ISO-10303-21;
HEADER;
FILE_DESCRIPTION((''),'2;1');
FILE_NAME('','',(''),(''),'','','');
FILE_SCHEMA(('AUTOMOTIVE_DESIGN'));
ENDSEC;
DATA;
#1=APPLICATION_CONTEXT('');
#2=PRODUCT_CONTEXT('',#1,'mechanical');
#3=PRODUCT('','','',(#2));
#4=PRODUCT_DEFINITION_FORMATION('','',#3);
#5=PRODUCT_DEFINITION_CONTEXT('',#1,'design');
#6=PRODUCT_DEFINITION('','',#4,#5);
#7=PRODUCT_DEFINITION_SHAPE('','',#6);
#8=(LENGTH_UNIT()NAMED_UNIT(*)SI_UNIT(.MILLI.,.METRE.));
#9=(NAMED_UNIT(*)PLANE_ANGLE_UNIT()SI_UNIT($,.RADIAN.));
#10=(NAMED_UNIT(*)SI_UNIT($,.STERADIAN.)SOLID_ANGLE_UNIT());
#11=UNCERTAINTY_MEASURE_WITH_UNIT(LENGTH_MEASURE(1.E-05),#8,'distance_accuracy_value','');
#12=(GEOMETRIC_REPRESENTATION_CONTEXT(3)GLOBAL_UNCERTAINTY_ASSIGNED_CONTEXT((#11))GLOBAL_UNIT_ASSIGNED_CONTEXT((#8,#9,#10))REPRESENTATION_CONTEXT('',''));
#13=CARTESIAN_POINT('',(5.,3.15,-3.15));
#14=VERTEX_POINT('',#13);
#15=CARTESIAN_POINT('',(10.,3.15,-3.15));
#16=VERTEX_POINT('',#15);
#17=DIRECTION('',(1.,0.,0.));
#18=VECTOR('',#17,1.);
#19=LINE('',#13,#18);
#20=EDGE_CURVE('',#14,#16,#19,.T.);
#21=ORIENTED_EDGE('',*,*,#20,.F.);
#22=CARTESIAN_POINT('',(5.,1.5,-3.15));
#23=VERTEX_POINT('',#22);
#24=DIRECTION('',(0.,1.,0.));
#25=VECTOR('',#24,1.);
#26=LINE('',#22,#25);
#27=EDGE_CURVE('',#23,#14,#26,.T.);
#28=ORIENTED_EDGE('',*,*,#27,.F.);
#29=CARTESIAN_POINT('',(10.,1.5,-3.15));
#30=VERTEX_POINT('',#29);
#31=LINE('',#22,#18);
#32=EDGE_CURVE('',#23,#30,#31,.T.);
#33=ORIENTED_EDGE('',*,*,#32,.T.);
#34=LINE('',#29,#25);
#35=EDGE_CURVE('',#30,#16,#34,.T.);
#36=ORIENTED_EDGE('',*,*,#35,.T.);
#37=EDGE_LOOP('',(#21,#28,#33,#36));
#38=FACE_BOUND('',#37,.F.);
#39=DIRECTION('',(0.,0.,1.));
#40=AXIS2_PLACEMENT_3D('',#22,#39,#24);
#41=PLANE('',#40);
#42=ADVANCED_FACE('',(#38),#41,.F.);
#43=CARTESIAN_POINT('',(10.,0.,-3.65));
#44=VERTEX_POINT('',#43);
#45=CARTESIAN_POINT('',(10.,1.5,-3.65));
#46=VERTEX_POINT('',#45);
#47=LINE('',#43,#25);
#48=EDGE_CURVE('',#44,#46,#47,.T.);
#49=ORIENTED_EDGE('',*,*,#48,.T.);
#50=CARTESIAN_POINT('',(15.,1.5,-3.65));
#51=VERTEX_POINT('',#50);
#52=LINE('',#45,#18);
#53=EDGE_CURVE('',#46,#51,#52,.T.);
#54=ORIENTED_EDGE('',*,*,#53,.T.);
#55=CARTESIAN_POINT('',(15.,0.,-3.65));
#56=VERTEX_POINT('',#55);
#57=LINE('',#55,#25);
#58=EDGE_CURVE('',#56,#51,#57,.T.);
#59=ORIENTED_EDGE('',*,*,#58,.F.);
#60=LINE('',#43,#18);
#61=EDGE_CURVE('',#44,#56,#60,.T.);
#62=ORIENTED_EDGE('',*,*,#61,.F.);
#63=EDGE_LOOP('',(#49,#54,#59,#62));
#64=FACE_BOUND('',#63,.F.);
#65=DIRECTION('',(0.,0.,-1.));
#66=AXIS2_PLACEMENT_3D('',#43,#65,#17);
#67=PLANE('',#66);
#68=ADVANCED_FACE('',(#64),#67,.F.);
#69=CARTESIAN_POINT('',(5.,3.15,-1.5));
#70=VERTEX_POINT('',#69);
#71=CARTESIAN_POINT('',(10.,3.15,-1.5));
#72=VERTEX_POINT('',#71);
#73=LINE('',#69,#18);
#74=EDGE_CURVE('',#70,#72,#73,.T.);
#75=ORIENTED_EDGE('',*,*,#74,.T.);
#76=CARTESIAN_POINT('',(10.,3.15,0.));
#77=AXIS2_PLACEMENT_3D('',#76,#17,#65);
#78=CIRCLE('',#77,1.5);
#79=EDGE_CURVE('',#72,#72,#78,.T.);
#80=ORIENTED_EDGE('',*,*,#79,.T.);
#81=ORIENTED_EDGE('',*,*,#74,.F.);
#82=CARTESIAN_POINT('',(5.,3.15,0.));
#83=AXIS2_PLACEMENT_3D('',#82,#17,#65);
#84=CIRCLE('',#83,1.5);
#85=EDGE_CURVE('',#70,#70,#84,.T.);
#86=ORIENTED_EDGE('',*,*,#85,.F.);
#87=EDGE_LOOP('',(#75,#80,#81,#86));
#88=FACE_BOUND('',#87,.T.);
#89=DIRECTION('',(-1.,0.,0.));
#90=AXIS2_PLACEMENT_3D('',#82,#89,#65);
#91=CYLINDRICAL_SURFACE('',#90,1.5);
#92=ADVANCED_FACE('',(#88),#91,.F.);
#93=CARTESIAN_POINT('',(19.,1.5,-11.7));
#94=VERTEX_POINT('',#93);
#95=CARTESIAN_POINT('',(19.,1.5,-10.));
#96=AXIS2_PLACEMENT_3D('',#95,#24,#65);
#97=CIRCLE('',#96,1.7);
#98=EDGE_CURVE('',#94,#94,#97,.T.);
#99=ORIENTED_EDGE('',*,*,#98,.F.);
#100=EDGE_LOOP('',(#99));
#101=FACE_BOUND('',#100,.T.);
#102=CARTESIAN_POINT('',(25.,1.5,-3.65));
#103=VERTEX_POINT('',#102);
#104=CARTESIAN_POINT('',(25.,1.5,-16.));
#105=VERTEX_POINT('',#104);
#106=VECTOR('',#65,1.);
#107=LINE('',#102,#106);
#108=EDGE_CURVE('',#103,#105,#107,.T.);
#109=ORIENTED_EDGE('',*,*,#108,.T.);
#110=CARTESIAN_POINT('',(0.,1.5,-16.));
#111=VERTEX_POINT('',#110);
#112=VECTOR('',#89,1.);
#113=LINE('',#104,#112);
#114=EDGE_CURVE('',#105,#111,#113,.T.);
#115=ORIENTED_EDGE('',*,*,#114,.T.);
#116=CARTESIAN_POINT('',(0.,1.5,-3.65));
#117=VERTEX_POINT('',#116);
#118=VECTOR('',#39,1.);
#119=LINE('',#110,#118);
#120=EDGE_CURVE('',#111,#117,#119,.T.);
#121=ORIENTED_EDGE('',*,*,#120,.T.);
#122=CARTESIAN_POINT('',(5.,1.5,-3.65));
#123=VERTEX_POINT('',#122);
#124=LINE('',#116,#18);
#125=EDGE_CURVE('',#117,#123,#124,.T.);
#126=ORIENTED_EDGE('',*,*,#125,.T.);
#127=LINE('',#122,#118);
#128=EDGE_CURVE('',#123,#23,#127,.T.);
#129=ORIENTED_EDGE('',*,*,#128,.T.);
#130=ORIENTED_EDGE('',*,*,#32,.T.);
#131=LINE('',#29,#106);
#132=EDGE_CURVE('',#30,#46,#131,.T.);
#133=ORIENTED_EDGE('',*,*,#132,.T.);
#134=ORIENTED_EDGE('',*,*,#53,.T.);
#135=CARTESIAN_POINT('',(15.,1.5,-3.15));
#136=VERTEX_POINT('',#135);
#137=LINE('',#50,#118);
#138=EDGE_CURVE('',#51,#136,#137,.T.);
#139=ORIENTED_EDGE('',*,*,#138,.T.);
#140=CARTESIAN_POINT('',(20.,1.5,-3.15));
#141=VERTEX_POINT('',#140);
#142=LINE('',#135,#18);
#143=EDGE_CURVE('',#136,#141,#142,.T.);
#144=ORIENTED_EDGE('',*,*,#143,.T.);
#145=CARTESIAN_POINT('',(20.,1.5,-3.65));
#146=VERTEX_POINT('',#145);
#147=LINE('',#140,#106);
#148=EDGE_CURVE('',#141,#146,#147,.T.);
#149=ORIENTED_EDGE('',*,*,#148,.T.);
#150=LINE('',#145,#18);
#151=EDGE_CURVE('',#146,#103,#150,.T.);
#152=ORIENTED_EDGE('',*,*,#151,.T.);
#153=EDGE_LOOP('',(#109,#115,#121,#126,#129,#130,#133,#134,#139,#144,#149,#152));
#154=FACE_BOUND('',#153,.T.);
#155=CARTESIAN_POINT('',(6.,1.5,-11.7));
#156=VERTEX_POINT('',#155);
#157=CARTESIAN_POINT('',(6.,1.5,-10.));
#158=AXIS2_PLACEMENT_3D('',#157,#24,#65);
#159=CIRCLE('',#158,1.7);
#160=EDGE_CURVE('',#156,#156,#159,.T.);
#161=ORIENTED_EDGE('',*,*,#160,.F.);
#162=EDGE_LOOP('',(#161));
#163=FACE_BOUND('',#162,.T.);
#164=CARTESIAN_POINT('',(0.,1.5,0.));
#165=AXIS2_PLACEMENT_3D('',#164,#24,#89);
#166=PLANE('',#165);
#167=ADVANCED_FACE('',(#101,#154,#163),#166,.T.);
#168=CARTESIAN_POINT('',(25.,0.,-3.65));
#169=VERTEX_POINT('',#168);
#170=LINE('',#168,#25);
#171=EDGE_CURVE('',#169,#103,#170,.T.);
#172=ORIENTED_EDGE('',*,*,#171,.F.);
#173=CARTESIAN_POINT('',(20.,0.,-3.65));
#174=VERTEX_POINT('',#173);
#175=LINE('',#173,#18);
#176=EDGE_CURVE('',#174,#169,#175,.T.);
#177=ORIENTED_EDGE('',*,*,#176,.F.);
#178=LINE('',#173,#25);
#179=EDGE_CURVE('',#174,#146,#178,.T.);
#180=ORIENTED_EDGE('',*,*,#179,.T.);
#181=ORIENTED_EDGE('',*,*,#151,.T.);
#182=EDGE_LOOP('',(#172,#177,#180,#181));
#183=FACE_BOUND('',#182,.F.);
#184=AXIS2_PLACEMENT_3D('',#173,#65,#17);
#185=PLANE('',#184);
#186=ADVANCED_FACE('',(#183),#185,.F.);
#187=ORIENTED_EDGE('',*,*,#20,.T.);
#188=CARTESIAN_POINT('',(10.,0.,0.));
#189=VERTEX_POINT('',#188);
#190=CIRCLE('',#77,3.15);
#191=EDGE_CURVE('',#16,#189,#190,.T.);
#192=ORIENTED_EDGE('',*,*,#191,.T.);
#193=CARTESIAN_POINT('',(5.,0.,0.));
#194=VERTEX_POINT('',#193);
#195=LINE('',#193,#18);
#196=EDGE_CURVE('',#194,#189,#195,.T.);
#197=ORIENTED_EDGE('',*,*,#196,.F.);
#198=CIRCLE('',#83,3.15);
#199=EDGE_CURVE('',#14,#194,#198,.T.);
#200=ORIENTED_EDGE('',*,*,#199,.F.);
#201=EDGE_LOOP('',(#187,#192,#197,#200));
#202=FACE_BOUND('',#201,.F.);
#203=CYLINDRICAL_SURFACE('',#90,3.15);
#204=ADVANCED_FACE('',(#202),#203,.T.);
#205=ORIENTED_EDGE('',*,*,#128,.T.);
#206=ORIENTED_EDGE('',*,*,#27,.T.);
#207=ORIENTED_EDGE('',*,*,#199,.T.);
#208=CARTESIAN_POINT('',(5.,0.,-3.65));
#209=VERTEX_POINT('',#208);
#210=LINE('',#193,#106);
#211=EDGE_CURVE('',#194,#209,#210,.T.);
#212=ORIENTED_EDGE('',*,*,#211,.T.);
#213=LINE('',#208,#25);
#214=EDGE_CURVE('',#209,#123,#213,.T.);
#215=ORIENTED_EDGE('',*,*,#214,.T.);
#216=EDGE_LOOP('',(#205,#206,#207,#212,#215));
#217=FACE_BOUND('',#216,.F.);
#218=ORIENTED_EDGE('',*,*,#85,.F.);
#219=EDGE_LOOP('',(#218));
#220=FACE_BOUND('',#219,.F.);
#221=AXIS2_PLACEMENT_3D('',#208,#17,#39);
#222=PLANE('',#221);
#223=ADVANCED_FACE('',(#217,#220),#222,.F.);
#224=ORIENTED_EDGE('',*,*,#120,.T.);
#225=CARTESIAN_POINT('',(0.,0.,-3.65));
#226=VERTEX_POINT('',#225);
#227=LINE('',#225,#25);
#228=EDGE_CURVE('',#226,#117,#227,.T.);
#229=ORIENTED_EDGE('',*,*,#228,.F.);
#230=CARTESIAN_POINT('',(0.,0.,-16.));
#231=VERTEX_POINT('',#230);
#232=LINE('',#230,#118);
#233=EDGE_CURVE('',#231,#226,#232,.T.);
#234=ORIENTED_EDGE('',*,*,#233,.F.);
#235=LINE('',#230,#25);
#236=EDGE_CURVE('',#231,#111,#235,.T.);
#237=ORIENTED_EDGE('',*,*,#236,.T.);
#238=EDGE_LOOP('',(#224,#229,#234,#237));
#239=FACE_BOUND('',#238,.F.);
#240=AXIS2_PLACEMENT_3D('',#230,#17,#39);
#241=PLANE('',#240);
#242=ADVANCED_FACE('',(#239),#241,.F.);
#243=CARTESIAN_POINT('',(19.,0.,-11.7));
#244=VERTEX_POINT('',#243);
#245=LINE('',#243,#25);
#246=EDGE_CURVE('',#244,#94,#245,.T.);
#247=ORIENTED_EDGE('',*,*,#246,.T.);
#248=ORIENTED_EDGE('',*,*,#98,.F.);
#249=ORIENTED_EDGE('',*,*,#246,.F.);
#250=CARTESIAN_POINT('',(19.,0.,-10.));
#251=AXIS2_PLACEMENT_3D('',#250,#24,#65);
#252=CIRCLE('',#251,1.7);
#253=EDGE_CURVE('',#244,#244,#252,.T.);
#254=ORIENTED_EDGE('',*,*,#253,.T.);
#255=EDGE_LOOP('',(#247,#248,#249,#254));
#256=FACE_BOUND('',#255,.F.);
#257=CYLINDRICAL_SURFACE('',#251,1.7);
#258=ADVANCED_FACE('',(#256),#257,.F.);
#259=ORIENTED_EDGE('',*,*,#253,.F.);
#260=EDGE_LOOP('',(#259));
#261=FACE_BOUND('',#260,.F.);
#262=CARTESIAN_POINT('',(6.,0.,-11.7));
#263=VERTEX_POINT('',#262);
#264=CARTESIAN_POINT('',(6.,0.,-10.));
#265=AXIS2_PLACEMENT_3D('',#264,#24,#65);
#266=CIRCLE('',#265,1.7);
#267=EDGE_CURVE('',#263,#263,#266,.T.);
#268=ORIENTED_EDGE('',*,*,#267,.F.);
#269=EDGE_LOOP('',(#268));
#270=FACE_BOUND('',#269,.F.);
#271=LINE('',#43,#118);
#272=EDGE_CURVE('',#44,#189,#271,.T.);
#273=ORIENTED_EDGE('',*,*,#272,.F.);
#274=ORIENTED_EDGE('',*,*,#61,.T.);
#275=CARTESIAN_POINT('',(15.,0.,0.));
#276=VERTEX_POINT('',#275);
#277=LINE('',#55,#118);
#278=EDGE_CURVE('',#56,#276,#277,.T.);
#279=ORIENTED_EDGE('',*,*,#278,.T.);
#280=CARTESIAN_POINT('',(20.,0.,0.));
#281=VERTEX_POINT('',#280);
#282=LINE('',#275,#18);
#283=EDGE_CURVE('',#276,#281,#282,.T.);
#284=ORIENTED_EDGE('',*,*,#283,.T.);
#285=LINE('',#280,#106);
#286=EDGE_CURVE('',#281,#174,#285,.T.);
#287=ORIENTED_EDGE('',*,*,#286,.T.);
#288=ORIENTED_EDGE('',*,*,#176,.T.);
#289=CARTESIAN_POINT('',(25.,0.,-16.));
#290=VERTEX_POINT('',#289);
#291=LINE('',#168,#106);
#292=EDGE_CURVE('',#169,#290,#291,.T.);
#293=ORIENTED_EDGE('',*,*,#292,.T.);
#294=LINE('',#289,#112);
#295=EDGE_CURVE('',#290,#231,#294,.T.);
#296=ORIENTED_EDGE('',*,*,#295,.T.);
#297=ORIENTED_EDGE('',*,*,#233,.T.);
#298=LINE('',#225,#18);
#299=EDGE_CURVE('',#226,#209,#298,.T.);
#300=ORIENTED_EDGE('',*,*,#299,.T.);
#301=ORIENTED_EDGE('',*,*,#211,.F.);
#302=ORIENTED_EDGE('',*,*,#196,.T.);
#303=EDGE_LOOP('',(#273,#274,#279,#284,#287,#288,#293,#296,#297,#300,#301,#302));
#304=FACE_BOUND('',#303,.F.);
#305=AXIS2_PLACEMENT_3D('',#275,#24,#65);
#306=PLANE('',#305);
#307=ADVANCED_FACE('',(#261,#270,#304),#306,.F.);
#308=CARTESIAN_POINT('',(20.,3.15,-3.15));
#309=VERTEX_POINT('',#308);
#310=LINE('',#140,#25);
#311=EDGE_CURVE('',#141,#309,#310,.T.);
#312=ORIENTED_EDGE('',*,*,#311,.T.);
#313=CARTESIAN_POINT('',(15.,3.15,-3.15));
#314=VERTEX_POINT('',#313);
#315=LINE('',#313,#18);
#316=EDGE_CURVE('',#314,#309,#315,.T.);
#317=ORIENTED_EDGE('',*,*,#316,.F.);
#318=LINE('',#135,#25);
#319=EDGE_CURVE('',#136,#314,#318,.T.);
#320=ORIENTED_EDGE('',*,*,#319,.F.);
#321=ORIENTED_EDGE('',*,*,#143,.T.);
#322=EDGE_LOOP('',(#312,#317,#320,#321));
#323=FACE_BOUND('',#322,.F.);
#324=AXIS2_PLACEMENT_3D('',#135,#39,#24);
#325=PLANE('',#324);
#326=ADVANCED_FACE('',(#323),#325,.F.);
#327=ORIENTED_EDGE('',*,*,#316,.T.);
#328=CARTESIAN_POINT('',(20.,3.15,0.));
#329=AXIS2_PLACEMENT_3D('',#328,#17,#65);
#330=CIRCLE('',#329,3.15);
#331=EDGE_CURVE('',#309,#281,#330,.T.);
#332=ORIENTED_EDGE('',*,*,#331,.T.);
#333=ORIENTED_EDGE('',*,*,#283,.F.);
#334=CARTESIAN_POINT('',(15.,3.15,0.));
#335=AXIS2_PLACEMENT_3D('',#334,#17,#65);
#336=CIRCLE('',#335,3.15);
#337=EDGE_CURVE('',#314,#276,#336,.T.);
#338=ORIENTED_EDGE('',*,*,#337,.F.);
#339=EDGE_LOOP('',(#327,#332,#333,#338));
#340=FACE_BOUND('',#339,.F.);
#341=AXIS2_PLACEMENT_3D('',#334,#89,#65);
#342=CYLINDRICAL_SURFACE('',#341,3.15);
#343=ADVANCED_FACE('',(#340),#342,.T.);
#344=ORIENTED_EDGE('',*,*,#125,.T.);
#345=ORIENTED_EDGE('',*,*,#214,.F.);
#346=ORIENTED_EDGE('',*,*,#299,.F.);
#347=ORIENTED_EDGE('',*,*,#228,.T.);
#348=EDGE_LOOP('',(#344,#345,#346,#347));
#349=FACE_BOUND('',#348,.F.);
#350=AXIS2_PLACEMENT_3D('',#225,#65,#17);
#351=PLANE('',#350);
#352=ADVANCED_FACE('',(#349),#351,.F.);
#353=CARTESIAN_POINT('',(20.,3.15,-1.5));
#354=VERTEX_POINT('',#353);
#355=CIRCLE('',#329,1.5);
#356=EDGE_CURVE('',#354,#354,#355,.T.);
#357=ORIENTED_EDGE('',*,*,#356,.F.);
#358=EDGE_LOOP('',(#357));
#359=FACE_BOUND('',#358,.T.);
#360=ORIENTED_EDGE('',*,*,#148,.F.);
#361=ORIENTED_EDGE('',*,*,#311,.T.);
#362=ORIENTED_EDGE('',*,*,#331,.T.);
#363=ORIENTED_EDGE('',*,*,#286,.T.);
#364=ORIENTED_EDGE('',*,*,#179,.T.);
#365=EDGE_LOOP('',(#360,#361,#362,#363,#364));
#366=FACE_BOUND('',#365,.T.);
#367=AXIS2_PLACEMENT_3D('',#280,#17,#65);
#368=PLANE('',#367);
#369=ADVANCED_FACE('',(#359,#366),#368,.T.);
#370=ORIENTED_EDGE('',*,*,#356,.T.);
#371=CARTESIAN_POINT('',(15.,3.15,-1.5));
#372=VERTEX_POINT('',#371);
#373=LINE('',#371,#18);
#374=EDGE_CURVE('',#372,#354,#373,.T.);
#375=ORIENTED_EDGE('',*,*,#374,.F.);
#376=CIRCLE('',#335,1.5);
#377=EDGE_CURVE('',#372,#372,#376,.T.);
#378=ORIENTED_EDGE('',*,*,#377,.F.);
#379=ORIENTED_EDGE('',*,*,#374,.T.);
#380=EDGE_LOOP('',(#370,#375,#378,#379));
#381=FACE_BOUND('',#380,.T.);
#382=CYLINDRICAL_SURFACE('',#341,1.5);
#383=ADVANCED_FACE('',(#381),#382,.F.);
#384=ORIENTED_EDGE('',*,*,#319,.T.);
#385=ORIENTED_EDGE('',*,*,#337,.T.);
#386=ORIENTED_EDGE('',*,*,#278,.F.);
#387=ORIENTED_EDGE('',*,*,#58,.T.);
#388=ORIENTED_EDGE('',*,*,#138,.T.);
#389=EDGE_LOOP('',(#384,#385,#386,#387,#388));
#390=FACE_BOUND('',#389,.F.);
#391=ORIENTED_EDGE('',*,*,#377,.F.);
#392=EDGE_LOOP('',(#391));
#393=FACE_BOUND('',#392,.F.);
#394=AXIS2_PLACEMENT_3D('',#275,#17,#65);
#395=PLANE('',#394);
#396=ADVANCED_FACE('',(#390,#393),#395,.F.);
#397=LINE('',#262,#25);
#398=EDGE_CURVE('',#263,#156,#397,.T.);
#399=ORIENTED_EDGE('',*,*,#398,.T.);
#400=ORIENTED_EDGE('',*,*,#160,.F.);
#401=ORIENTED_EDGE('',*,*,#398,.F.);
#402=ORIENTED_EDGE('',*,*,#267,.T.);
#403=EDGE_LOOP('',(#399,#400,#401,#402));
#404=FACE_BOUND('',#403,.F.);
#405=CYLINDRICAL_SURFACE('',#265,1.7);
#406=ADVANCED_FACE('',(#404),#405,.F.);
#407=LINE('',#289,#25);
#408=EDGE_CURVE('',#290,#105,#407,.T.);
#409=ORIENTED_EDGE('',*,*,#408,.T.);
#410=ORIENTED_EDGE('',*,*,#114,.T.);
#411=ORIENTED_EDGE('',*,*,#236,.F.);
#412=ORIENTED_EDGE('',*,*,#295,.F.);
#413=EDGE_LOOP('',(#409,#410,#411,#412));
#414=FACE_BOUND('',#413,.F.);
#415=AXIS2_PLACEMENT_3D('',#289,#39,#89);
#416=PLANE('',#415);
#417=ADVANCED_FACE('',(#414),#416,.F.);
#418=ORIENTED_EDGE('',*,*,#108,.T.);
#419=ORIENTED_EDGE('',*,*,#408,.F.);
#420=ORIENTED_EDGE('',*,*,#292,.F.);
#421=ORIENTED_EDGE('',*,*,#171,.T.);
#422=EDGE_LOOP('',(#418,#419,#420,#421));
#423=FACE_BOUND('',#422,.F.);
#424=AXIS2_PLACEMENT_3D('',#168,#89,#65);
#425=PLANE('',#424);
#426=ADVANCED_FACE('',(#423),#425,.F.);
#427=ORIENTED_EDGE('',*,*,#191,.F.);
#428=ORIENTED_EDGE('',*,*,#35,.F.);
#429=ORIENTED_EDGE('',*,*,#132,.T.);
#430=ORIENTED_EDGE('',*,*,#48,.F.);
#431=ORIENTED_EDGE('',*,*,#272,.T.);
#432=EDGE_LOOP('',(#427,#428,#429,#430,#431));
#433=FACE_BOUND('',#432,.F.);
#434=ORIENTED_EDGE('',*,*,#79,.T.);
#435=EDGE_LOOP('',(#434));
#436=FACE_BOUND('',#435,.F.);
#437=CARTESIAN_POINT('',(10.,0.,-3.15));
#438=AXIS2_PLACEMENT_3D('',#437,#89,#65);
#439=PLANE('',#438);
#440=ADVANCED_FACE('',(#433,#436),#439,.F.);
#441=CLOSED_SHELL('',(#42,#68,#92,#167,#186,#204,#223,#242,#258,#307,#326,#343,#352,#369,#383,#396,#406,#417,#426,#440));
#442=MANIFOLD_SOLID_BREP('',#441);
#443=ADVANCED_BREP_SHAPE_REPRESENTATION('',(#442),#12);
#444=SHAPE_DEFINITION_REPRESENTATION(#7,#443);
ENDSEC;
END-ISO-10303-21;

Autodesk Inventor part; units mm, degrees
sketch "Sketch_10" plane through (0, 0, 0) normal (0, 1, 0) x (-1, 0, 0)
  line L0 (0, -3.65) -> (-5, -3.65)
  line L1 (-5, -3.65) -> (-5, -3.15)
  line L2 (-5, -3.15) -> (-10, -3.15)
  line L3 (-10, -3.15) -> (-10, -3.65)
  line L4 (-10, -3.65) -> (-15, -3.65)
  line L5 (-15, -3.65) -> (-15, -3.15)
  line L6 (-15, -3.15) -> (-20, -3.15)
  line L7 (-20, -3.15) -> (-20, -3.65)
  line L8 (-20, -3.65) -> (-25, -3.65)
  line L9 (-25, -3.65) -> (-25, -16)
  line L10 (-25, -16) -> (0, -16)
  line L11 (0, -16) -> (0, -3.65)
extrude "Extrusion1" add sketch "Sketch_10" along normal blind 1.5
sketch "Sketch_2" plane through (5, 0, 0) normal (1, 0, 0) x (0, 0, -1)
  arc A0 (3.15, 3.15) -> (0, 0) centre (0, 3.15) ccw
  line L0 (0, 0) -> (10.6667, 0)
  line L1 (10.6667, 0) -> (10.6667, 1.5)
  line L2 (10.6667, 1.5) -> (3.15, 1.5)
  line L3 (3.15, 1.5) -> (3.15, 3.15)
  circle A1 centre (0, 3.15) radius 1.5
extrude "Extrusion2" add sketch "Sketch_2" along normal blind 5
sketch "Sketch_3" plane through (15, 0, 0) normal (1, 0, 0) x (0, 0, -1)
  arc A0 (3.15, 3.15) -> (0, 0) centre (0, 3.15) ccw
  line L0 (0, 0) -> (10.6667, 0)
  line L1 (10.6667, 0) -> (10.6667, 1.5)
  line L2 (10.6667, 1.5) -> (3.15, 1.5)
  line L3 (3.15, 1.5) -> (3.15, 3.15)
  circle A1 centre (0, 3.15) radius 1.5
extrude "Extrusion3" add sketch "Sketch_3" along normal blind 5
sketch "Sketch4" plane through (0, 0, 0) normal (0, -1, 0) x (1, 0, 0)
  point P0 (6, -10)
hole "Hole1" at (6, 0, -10) direction (0, 1, 0) diameter 3.4 depth 2
sketch "Sketch5" plane through (0, 0, 0) normal (0, -1, 0) x (1, 0, 0)
  point P0 (19, -10)
hole "Hole2" at (19, 0, -10) direction (0, 1, 0) diameter 3.4 depth 2
ref_plane "1_XY" through (0, 3.15, 0) normal (1, 0, 0) x (0, 0, -1)
ref_plane "1_YZ" through (0, 3.15, 0) normal (0, 0, -1) x (0, 1, 0)
ref_plane "1_ZX" through (0, 3.15, 0) normal (0, 1, 0) x (1, 0, 0)
ref_plane "11_XY" through (0, 3.15, 0) normal (1, 0, 0) x (0, 0, -1)
ref_plane "11_YZ" through (0, 3.15, 0) normal (0, 0, -1) x (0, 1, 0)
ref_plane "11_ZX" through (0, 3.15, 0) normal (0, 1, 0) x (1, 0, 0)
properties part number "1HHKS25" material "ステンレス鋼"
